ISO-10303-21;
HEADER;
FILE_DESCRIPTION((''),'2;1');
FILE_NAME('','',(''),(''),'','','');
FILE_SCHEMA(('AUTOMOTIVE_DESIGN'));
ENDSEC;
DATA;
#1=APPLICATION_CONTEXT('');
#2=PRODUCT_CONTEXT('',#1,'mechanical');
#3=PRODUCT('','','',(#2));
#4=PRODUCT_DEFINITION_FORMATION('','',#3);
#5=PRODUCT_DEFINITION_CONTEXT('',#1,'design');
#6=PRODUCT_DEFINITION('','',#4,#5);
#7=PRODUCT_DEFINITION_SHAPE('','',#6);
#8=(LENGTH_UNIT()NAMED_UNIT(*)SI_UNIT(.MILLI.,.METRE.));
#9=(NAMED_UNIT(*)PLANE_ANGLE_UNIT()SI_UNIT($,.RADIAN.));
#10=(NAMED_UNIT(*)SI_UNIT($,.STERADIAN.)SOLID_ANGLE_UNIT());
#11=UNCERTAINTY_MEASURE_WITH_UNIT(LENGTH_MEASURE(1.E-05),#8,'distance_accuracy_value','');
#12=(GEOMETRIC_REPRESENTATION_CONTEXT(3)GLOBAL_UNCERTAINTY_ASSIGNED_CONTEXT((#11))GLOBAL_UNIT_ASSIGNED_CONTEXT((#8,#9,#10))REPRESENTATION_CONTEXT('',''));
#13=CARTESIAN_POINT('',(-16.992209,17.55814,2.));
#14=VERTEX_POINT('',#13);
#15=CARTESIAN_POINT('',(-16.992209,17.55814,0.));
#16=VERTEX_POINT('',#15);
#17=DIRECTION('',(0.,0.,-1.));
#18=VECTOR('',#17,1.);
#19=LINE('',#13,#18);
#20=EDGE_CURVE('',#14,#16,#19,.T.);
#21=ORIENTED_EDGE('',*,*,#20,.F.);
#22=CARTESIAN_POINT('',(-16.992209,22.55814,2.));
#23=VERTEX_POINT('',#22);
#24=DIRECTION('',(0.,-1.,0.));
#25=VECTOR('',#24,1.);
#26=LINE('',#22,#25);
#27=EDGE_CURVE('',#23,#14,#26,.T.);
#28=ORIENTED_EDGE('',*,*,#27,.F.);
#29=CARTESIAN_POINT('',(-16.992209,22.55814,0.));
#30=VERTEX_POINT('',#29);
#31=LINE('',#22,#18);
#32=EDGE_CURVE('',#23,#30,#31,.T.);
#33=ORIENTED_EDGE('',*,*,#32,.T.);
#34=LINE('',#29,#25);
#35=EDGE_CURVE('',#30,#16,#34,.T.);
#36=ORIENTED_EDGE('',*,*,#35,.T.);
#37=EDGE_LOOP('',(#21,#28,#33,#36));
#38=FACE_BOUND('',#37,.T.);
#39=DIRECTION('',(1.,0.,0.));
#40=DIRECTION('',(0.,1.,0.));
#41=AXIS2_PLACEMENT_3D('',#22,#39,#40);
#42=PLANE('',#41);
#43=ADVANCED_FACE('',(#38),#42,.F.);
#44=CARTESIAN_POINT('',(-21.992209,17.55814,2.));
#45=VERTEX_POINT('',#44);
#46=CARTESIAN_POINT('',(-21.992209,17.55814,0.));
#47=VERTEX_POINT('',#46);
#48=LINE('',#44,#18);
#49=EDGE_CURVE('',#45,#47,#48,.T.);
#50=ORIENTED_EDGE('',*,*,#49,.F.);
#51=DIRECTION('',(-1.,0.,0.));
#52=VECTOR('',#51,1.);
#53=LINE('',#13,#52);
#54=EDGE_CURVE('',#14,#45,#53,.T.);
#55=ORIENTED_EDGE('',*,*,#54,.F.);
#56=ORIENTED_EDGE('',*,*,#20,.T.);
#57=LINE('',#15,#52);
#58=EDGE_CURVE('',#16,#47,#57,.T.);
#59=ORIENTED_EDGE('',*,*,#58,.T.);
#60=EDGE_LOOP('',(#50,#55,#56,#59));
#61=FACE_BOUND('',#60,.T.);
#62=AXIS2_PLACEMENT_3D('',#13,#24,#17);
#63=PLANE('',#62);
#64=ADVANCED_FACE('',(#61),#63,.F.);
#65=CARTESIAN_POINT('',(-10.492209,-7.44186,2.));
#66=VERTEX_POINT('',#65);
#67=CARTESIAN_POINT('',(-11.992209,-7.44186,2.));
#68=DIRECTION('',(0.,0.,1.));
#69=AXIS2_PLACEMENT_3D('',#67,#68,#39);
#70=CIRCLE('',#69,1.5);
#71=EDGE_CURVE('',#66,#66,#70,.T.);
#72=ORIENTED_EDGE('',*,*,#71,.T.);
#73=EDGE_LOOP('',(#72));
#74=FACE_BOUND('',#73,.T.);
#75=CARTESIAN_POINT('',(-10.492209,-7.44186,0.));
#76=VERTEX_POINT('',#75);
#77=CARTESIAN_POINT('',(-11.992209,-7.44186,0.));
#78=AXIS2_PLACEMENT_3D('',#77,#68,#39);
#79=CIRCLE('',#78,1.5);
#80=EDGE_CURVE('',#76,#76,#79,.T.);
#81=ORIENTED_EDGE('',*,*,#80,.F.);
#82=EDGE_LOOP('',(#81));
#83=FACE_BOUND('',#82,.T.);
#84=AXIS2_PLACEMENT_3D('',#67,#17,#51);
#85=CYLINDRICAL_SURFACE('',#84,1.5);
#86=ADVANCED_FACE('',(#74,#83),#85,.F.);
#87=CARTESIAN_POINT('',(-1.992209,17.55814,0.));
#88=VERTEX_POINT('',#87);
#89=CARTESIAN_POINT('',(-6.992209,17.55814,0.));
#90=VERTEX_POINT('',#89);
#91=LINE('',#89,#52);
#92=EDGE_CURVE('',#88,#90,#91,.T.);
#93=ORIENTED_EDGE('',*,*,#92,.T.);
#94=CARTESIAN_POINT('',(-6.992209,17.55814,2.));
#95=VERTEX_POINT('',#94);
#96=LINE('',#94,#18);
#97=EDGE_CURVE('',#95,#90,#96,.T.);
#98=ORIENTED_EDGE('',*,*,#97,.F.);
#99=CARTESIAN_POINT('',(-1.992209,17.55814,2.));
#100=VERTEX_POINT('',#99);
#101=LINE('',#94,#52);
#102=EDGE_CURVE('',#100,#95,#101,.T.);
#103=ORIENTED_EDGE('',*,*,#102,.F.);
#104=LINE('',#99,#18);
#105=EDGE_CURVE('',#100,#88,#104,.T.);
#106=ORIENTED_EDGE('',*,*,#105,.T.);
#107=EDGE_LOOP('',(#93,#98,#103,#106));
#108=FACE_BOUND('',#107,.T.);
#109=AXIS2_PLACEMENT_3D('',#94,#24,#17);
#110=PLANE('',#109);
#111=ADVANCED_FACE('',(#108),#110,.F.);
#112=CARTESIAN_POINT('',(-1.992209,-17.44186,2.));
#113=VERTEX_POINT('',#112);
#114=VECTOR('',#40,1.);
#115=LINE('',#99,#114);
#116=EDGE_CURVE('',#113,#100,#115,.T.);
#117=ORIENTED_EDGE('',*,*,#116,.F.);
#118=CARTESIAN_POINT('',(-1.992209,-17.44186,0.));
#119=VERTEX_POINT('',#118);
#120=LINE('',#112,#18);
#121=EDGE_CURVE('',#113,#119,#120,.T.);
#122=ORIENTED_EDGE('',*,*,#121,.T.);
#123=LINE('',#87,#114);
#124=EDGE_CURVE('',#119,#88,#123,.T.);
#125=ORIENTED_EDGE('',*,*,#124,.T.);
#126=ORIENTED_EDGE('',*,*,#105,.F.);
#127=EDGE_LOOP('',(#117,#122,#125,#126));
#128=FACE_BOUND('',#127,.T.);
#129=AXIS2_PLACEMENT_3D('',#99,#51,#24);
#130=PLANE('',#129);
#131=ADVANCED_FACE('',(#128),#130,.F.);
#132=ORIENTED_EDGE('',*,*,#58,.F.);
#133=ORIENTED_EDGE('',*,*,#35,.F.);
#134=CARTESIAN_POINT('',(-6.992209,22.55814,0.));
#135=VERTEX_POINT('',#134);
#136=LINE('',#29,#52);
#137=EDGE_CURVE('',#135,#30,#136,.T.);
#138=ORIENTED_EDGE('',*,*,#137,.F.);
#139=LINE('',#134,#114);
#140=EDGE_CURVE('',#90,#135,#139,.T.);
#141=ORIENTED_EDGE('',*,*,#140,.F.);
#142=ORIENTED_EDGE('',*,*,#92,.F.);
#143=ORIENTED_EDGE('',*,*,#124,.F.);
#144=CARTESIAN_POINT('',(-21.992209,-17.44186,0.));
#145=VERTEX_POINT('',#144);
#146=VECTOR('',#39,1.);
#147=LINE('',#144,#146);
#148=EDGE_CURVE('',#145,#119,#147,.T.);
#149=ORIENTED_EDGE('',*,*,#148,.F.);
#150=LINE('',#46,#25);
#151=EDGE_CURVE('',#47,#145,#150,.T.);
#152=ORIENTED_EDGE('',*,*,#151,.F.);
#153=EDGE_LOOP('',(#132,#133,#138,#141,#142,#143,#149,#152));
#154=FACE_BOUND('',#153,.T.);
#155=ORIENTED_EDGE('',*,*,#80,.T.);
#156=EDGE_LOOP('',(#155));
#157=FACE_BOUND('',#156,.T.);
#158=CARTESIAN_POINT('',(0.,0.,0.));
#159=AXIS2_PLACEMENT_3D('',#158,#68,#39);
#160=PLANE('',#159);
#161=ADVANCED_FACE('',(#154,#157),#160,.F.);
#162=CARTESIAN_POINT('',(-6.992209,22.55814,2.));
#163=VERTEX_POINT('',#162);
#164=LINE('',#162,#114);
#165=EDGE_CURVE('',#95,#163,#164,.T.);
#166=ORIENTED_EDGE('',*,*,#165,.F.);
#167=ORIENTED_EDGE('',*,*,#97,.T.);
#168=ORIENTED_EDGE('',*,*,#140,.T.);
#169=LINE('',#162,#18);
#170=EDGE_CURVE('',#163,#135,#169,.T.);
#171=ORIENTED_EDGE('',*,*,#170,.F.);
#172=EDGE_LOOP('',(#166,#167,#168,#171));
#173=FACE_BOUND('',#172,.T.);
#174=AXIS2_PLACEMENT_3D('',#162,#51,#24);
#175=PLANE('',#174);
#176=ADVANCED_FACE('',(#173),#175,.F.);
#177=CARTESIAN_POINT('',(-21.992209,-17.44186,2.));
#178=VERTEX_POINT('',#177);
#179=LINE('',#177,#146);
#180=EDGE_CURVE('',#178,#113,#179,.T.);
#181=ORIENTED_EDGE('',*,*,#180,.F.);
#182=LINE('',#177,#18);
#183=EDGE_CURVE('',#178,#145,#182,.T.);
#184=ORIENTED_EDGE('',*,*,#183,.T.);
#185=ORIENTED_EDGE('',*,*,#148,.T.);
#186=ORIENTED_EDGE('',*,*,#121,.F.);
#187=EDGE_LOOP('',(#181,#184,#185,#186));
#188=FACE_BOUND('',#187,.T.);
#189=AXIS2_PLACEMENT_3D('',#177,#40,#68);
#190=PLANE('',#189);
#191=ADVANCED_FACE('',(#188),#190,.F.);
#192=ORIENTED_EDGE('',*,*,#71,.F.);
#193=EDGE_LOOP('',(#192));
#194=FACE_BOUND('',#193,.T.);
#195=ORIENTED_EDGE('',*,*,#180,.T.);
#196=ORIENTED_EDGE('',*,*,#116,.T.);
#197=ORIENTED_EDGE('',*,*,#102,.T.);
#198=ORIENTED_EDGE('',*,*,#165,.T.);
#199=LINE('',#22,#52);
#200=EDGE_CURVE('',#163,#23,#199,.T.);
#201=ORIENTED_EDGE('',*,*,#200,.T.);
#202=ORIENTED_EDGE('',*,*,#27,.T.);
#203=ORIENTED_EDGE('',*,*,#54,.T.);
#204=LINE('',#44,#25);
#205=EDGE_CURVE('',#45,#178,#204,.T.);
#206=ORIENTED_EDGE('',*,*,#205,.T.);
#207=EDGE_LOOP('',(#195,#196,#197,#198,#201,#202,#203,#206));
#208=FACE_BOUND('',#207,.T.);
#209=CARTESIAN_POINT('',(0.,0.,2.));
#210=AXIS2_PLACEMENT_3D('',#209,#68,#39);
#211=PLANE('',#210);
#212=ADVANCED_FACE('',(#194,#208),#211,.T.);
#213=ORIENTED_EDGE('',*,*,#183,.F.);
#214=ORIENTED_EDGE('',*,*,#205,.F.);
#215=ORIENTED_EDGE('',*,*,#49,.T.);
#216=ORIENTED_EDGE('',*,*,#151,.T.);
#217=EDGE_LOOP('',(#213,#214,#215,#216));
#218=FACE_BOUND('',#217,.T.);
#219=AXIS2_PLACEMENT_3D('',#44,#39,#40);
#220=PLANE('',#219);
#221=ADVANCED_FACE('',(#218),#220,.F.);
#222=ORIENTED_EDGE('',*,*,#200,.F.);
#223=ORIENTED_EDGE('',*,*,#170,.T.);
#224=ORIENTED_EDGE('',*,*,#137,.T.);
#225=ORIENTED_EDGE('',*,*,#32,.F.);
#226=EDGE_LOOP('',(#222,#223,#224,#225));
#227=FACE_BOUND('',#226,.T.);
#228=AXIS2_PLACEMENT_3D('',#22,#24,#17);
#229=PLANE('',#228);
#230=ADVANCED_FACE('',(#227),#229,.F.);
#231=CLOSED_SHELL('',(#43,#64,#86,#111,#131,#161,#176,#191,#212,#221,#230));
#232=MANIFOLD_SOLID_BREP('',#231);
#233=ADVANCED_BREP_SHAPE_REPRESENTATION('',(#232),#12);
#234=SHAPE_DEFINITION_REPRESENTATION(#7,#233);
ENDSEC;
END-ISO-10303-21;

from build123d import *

# Parameters (mm, degrees)
CROQUIS1_R              = 1.5
SALIENTE_EXTRUIR1_DEPTH = 2


with BuildPart() as part:
    # Croquis1 → Saliente-Extruir1 (new body)
    with BuildSketch(Plane.XY):
        Polygon((-16.992209238, 17.558139535), (-21.992209238, 17.558139535), (-21.992209238, -17.441860465), (-1.992209238, -17.441860465), (-1.992209238, 17.558139535), (-6.992209238, 17.558139535), (-6.992209238, 22.558139535), (-16.992209238, 22.558139535), align=None)
        with Locations((-11.992209238, -7.441860465)):
            Circle(CROQUIS1_R, mode=Mode.SUBTRACT)
    extrude(amount=SALIENTE_EXTRUIR1_DEPTH)


solid = part.part
